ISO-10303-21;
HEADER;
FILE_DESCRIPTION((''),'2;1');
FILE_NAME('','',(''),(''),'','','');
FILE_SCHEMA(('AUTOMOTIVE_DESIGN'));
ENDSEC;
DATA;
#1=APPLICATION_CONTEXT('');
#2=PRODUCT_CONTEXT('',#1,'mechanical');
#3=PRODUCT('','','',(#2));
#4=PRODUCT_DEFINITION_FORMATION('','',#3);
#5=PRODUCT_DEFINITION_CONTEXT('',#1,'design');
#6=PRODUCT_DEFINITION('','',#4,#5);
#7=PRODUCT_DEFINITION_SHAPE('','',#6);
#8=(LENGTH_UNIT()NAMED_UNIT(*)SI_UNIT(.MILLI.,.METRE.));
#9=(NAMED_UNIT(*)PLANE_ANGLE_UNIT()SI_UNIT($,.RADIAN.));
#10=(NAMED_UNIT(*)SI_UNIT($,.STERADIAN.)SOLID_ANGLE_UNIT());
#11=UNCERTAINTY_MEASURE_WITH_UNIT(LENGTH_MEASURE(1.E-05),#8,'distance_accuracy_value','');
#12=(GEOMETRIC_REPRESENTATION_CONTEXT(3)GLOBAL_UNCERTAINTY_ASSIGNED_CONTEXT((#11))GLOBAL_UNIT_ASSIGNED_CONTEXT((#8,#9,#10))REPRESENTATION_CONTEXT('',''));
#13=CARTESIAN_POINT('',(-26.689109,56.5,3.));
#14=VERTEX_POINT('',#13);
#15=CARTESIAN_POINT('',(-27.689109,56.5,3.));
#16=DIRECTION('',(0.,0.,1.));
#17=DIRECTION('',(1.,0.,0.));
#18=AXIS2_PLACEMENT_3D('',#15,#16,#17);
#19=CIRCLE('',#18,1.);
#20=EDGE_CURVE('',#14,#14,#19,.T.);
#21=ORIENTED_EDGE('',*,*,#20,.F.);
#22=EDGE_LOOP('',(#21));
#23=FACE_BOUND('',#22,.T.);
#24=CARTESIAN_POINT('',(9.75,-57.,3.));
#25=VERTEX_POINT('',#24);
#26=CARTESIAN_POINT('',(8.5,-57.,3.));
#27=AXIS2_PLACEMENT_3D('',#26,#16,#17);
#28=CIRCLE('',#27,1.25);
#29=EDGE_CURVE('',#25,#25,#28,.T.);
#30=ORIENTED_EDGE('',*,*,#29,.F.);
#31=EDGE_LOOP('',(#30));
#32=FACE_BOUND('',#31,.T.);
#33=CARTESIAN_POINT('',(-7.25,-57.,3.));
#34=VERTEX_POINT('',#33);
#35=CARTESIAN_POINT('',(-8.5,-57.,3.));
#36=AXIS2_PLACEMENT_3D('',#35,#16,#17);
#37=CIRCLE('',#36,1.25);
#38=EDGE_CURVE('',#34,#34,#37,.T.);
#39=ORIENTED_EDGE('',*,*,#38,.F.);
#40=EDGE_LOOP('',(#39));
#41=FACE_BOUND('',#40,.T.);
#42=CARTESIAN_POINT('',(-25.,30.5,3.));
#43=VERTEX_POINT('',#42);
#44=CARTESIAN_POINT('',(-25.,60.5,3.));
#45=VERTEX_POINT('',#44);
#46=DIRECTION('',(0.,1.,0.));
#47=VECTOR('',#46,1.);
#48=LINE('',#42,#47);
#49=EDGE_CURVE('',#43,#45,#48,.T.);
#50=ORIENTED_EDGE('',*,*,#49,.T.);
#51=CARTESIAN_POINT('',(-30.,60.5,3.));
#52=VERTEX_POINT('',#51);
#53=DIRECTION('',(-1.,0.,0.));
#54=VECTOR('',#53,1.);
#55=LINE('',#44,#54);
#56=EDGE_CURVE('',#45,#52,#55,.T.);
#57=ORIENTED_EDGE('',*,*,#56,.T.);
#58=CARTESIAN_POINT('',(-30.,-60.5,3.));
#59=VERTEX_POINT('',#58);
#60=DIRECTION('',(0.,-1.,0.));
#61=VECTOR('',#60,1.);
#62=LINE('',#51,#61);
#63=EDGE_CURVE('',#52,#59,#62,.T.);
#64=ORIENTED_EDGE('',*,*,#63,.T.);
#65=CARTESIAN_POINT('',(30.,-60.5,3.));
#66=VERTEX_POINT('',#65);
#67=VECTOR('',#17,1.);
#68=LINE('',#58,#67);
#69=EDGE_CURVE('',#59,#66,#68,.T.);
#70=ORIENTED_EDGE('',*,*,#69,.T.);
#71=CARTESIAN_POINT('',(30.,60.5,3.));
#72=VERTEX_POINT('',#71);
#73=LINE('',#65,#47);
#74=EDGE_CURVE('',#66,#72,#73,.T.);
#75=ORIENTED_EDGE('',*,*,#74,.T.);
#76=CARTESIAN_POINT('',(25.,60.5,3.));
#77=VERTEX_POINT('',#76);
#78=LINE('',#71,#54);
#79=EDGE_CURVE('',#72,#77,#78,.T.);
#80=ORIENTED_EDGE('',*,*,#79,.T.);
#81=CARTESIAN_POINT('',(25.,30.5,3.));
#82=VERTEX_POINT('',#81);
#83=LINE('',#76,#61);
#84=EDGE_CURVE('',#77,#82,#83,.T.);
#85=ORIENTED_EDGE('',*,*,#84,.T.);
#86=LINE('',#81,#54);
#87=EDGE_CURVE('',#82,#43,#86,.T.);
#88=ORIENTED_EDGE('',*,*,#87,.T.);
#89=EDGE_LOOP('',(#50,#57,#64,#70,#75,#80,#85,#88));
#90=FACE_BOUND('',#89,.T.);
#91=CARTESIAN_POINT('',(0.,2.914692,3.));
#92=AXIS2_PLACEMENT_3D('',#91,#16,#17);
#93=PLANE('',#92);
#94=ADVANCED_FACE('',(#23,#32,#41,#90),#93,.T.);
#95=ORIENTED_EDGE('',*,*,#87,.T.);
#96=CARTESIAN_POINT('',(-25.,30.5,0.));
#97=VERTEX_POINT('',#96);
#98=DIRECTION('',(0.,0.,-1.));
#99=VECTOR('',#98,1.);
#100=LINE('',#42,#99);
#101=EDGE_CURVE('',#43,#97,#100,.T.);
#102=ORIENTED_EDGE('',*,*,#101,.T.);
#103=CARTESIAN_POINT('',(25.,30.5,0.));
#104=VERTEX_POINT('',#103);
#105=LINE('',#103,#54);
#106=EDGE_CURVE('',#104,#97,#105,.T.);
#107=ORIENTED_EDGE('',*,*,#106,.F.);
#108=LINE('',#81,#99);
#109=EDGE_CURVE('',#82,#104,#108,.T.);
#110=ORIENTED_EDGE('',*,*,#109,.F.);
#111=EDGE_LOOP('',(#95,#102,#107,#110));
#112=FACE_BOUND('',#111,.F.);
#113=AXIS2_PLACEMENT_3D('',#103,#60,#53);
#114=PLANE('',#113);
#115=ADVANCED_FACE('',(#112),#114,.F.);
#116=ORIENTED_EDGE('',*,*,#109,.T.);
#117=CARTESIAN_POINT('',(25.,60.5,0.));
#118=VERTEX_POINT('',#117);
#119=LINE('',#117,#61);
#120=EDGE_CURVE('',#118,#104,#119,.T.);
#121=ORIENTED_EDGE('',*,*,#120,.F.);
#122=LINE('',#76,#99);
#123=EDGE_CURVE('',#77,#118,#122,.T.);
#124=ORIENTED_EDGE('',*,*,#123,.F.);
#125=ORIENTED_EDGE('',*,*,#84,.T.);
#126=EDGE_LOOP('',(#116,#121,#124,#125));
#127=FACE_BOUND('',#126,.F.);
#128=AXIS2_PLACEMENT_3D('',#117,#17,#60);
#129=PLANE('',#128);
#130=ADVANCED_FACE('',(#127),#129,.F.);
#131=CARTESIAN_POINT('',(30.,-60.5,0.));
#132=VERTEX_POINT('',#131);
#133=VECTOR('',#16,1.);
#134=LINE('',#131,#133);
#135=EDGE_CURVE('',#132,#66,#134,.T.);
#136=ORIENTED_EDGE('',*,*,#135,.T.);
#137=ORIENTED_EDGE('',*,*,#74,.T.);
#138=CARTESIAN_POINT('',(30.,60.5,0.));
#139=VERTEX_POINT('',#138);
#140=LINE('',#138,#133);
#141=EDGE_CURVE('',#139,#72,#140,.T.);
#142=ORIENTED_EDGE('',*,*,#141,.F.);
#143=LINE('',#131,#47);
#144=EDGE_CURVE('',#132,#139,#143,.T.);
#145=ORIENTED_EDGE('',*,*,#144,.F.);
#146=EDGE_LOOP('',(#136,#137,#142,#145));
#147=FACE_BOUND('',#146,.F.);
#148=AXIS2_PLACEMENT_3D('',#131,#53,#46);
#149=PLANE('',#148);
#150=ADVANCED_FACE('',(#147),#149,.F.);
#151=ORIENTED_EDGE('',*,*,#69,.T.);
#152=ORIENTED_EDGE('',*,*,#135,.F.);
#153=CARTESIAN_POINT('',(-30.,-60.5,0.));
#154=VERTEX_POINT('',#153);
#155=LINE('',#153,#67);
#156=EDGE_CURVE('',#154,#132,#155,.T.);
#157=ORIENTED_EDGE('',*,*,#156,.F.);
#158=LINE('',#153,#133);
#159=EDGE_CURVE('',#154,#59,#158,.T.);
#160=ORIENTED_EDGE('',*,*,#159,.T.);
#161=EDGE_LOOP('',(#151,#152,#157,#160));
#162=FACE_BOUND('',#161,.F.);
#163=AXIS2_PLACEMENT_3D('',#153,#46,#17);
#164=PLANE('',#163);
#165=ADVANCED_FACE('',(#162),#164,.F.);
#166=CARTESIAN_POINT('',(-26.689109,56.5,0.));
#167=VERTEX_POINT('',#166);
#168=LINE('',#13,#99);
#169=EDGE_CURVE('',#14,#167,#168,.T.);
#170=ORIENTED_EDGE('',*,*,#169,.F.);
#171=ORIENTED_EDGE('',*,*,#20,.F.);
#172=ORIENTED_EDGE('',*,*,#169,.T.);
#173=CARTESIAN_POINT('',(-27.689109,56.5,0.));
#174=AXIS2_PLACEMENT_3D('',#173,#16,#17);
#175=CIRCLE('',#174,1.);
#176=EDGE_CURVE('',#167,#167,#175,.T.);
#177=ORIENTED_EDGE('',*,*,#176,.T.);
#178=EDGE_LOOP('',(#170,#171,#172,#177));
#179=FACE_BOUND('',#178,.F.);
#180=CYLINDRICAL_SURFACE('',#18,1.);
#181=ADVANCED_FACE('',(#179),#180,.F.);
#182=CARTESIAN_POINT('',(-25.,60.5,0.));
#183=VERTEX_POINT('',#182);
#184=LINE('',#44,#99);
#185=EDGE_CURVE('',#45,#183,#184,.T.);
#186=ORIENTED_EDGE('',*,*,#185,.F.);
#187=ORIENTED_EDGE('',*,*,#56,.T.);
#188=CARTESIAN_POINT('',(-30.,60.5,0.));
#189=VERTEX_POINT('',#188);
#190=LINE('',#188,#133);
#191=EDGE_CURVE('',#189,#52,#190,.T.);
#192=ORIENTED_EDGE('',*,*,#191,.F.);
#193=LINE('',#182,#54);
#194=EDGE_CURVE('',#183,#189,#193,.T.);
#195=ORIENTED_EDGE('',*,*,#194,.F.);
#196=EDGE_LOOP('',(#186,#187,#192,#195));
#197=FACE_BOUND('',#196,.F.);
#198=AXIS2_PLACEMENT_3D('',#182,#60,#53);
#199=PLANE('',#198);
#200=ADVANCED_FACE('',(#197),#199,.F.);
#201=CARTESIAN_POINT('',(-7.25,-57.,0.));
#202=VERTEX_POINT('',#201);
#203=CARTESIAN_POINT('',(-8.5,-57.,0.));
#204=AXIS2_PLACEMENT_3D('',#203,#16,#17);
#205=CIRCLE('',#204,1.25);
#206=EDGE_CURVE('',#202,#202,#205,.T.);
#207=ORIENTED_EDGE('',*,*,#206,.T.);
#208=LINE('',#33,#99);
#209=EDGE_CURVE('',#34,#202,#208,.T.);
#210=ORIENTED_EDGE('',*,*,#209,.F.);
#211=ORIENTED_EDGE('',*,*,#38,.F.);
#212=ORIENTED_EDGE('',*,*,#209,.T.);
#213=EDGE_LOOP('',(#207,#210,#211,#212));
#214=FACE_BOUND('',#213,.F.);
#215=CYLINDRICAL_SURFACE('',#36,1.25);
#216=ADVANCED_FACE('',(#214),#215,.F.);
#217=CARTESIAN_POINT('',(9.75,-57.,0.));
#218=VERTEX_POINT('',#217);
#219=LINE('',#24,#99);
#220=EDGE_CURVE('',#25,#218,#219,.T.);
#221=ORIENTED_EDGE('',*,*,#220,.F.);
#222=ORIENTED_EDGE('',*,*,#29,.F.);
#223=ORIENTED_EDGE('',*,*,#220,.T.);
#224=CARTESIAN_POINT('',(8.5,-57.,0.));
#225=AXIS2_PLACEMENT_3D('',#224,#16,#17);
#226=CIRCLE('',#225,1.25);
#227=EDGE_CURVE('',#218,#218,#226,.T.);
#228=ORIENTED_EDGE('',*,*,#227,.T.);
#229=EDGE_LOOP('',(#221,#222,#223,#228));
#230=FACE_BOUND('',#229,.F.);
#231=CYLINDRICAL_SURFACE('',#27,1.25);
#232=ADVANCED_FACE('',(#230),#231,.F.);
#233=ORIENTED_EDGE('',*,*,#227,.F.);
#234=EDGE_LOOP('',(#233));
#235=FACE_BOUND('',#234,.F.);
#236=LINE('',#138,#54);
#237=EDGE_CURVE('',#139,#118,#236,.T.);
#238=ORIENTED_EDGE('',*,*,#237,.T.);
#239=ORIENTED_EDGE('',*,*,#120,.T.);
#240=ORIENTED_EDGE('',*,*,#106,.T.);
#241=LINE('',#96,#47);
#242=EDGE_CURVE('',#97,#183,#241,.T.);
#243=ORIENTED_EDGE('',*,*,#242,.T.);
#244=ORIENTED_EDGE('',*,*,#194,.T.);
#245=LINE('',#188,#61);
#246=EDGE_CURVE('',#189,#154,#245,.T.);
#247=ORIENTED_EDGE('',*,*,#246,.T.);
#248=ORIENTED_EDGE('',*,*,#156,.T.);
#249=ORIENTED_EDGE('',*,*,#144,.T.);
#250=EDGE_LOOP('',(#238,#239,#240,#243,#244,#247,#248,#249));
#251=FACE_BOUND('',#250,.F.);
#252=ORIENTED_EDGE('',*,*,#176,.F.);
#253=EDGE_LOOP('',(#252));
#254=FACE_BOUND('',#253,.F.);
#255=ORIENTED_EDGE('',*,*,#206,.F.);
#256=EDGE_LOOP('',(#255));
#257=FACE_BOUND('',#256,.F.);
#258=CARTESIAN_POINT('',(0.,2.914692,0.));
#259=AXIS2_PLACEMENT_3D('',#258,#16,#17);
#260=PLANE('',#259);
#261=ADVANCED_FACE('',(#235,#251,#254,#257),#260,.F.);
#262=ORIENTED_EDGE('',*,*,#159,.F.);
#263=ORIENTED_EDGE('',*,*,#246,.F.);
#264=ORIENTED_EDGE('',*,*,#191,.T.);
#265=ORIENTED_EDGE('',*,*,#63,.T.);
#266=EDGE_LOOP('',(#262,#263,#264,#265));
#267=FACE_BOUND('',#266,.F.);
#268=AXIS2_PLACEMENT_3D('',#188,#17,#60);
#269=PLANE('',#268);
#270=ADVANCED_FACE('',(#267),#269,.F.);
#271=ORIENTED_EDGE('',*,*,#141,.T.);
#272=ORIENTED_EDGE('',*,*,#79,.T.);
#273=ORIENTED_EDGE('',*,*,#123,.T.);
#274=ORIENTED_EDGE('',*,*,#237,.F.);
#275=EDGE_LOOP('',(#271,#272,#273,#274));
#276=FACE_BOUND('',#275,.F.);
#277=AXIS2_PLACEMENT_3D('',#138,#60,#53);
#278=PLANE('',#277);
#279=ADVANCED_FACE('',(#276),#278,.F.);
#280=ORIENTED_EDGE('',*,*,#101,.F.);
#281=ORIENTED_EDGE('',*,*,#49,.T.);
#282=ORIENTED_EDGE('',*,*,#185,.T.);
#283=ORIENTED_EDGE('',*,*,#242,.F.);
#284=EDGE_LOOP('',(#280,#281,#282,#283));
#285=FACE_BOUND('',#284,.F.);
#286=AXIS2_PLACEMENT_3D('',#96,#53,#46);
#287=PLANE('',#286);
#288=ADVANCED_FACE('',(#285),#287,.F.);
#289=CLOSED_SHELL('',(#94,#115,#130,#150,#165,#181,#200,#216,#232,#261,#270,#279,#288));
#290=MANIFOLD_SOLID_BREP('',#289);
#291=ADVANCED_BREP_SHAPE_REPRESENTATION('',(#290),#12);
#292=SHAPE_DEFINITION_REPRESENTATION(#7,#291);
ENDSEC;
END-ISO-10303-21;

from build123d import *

# Parameters (mm, degrees)
F1_DEPTH = 2
F2_R     = 1
F3_DEPTH = 25
F4_DEPTH = 3
F6_R     = 1.25
F7_DEPTH = 5
F5_R     = 1
F8_DEPTH = 25


with BuildPart() as f1:
    # F0 (on Top) → F1 (new body)
    with BuildSketch(Plane.XY):
        Polygon((-25, 60.5), (-30, 60.5), (-30, -60.5), (30, -60.5), (30, 60.5), (25, 60.5), (25, 30.5), (-25, 30.5), align=None)
    extrude(amount=F1_DEPTH)

    # F2 (on face) → F3 (cut)
    with BuildSketch(Plane.XY.offset(2)):
        with Locations((-27.5, 57)):
            Circle(F2_R)
    extrude(amount=-F3_DEPTH, mode=Mode.SUBTRACT)

    # F0 (on Top) → F4 (join)
    with BuildSketch(Plane.XY):
        Polygon((-25, 60.5), (-30, 60.5), (-30, -60.5), (30, -60.5), (30, 60.5), (25, 60.5), (25, 30.5), (-25, 30.5), align=None)
    extrude(amount=F4_DEPTH)

    # F6 (on face) → F7 (cut)
    with BuildSketch(Plane.XY.offset(3)):
        with Locations((-8.5, -57)):
            Circle(F6_R)
        with Locations((8.5, -57)):
            Circle(F6_R)
    extrude(amount=-F7_DEPTH, mode=Mode.SUBTRACT)

    # F5 (on face) → F8 (cut)
    with BuildSketch(Plane.XY.offset(3)):
        with Locations((-27.689109, 56.5)):
            Circle(F5_R)
    extrude(amount=-F8_DEPTH, mode=Mode.SUBTRACT)


solid = f1.part
